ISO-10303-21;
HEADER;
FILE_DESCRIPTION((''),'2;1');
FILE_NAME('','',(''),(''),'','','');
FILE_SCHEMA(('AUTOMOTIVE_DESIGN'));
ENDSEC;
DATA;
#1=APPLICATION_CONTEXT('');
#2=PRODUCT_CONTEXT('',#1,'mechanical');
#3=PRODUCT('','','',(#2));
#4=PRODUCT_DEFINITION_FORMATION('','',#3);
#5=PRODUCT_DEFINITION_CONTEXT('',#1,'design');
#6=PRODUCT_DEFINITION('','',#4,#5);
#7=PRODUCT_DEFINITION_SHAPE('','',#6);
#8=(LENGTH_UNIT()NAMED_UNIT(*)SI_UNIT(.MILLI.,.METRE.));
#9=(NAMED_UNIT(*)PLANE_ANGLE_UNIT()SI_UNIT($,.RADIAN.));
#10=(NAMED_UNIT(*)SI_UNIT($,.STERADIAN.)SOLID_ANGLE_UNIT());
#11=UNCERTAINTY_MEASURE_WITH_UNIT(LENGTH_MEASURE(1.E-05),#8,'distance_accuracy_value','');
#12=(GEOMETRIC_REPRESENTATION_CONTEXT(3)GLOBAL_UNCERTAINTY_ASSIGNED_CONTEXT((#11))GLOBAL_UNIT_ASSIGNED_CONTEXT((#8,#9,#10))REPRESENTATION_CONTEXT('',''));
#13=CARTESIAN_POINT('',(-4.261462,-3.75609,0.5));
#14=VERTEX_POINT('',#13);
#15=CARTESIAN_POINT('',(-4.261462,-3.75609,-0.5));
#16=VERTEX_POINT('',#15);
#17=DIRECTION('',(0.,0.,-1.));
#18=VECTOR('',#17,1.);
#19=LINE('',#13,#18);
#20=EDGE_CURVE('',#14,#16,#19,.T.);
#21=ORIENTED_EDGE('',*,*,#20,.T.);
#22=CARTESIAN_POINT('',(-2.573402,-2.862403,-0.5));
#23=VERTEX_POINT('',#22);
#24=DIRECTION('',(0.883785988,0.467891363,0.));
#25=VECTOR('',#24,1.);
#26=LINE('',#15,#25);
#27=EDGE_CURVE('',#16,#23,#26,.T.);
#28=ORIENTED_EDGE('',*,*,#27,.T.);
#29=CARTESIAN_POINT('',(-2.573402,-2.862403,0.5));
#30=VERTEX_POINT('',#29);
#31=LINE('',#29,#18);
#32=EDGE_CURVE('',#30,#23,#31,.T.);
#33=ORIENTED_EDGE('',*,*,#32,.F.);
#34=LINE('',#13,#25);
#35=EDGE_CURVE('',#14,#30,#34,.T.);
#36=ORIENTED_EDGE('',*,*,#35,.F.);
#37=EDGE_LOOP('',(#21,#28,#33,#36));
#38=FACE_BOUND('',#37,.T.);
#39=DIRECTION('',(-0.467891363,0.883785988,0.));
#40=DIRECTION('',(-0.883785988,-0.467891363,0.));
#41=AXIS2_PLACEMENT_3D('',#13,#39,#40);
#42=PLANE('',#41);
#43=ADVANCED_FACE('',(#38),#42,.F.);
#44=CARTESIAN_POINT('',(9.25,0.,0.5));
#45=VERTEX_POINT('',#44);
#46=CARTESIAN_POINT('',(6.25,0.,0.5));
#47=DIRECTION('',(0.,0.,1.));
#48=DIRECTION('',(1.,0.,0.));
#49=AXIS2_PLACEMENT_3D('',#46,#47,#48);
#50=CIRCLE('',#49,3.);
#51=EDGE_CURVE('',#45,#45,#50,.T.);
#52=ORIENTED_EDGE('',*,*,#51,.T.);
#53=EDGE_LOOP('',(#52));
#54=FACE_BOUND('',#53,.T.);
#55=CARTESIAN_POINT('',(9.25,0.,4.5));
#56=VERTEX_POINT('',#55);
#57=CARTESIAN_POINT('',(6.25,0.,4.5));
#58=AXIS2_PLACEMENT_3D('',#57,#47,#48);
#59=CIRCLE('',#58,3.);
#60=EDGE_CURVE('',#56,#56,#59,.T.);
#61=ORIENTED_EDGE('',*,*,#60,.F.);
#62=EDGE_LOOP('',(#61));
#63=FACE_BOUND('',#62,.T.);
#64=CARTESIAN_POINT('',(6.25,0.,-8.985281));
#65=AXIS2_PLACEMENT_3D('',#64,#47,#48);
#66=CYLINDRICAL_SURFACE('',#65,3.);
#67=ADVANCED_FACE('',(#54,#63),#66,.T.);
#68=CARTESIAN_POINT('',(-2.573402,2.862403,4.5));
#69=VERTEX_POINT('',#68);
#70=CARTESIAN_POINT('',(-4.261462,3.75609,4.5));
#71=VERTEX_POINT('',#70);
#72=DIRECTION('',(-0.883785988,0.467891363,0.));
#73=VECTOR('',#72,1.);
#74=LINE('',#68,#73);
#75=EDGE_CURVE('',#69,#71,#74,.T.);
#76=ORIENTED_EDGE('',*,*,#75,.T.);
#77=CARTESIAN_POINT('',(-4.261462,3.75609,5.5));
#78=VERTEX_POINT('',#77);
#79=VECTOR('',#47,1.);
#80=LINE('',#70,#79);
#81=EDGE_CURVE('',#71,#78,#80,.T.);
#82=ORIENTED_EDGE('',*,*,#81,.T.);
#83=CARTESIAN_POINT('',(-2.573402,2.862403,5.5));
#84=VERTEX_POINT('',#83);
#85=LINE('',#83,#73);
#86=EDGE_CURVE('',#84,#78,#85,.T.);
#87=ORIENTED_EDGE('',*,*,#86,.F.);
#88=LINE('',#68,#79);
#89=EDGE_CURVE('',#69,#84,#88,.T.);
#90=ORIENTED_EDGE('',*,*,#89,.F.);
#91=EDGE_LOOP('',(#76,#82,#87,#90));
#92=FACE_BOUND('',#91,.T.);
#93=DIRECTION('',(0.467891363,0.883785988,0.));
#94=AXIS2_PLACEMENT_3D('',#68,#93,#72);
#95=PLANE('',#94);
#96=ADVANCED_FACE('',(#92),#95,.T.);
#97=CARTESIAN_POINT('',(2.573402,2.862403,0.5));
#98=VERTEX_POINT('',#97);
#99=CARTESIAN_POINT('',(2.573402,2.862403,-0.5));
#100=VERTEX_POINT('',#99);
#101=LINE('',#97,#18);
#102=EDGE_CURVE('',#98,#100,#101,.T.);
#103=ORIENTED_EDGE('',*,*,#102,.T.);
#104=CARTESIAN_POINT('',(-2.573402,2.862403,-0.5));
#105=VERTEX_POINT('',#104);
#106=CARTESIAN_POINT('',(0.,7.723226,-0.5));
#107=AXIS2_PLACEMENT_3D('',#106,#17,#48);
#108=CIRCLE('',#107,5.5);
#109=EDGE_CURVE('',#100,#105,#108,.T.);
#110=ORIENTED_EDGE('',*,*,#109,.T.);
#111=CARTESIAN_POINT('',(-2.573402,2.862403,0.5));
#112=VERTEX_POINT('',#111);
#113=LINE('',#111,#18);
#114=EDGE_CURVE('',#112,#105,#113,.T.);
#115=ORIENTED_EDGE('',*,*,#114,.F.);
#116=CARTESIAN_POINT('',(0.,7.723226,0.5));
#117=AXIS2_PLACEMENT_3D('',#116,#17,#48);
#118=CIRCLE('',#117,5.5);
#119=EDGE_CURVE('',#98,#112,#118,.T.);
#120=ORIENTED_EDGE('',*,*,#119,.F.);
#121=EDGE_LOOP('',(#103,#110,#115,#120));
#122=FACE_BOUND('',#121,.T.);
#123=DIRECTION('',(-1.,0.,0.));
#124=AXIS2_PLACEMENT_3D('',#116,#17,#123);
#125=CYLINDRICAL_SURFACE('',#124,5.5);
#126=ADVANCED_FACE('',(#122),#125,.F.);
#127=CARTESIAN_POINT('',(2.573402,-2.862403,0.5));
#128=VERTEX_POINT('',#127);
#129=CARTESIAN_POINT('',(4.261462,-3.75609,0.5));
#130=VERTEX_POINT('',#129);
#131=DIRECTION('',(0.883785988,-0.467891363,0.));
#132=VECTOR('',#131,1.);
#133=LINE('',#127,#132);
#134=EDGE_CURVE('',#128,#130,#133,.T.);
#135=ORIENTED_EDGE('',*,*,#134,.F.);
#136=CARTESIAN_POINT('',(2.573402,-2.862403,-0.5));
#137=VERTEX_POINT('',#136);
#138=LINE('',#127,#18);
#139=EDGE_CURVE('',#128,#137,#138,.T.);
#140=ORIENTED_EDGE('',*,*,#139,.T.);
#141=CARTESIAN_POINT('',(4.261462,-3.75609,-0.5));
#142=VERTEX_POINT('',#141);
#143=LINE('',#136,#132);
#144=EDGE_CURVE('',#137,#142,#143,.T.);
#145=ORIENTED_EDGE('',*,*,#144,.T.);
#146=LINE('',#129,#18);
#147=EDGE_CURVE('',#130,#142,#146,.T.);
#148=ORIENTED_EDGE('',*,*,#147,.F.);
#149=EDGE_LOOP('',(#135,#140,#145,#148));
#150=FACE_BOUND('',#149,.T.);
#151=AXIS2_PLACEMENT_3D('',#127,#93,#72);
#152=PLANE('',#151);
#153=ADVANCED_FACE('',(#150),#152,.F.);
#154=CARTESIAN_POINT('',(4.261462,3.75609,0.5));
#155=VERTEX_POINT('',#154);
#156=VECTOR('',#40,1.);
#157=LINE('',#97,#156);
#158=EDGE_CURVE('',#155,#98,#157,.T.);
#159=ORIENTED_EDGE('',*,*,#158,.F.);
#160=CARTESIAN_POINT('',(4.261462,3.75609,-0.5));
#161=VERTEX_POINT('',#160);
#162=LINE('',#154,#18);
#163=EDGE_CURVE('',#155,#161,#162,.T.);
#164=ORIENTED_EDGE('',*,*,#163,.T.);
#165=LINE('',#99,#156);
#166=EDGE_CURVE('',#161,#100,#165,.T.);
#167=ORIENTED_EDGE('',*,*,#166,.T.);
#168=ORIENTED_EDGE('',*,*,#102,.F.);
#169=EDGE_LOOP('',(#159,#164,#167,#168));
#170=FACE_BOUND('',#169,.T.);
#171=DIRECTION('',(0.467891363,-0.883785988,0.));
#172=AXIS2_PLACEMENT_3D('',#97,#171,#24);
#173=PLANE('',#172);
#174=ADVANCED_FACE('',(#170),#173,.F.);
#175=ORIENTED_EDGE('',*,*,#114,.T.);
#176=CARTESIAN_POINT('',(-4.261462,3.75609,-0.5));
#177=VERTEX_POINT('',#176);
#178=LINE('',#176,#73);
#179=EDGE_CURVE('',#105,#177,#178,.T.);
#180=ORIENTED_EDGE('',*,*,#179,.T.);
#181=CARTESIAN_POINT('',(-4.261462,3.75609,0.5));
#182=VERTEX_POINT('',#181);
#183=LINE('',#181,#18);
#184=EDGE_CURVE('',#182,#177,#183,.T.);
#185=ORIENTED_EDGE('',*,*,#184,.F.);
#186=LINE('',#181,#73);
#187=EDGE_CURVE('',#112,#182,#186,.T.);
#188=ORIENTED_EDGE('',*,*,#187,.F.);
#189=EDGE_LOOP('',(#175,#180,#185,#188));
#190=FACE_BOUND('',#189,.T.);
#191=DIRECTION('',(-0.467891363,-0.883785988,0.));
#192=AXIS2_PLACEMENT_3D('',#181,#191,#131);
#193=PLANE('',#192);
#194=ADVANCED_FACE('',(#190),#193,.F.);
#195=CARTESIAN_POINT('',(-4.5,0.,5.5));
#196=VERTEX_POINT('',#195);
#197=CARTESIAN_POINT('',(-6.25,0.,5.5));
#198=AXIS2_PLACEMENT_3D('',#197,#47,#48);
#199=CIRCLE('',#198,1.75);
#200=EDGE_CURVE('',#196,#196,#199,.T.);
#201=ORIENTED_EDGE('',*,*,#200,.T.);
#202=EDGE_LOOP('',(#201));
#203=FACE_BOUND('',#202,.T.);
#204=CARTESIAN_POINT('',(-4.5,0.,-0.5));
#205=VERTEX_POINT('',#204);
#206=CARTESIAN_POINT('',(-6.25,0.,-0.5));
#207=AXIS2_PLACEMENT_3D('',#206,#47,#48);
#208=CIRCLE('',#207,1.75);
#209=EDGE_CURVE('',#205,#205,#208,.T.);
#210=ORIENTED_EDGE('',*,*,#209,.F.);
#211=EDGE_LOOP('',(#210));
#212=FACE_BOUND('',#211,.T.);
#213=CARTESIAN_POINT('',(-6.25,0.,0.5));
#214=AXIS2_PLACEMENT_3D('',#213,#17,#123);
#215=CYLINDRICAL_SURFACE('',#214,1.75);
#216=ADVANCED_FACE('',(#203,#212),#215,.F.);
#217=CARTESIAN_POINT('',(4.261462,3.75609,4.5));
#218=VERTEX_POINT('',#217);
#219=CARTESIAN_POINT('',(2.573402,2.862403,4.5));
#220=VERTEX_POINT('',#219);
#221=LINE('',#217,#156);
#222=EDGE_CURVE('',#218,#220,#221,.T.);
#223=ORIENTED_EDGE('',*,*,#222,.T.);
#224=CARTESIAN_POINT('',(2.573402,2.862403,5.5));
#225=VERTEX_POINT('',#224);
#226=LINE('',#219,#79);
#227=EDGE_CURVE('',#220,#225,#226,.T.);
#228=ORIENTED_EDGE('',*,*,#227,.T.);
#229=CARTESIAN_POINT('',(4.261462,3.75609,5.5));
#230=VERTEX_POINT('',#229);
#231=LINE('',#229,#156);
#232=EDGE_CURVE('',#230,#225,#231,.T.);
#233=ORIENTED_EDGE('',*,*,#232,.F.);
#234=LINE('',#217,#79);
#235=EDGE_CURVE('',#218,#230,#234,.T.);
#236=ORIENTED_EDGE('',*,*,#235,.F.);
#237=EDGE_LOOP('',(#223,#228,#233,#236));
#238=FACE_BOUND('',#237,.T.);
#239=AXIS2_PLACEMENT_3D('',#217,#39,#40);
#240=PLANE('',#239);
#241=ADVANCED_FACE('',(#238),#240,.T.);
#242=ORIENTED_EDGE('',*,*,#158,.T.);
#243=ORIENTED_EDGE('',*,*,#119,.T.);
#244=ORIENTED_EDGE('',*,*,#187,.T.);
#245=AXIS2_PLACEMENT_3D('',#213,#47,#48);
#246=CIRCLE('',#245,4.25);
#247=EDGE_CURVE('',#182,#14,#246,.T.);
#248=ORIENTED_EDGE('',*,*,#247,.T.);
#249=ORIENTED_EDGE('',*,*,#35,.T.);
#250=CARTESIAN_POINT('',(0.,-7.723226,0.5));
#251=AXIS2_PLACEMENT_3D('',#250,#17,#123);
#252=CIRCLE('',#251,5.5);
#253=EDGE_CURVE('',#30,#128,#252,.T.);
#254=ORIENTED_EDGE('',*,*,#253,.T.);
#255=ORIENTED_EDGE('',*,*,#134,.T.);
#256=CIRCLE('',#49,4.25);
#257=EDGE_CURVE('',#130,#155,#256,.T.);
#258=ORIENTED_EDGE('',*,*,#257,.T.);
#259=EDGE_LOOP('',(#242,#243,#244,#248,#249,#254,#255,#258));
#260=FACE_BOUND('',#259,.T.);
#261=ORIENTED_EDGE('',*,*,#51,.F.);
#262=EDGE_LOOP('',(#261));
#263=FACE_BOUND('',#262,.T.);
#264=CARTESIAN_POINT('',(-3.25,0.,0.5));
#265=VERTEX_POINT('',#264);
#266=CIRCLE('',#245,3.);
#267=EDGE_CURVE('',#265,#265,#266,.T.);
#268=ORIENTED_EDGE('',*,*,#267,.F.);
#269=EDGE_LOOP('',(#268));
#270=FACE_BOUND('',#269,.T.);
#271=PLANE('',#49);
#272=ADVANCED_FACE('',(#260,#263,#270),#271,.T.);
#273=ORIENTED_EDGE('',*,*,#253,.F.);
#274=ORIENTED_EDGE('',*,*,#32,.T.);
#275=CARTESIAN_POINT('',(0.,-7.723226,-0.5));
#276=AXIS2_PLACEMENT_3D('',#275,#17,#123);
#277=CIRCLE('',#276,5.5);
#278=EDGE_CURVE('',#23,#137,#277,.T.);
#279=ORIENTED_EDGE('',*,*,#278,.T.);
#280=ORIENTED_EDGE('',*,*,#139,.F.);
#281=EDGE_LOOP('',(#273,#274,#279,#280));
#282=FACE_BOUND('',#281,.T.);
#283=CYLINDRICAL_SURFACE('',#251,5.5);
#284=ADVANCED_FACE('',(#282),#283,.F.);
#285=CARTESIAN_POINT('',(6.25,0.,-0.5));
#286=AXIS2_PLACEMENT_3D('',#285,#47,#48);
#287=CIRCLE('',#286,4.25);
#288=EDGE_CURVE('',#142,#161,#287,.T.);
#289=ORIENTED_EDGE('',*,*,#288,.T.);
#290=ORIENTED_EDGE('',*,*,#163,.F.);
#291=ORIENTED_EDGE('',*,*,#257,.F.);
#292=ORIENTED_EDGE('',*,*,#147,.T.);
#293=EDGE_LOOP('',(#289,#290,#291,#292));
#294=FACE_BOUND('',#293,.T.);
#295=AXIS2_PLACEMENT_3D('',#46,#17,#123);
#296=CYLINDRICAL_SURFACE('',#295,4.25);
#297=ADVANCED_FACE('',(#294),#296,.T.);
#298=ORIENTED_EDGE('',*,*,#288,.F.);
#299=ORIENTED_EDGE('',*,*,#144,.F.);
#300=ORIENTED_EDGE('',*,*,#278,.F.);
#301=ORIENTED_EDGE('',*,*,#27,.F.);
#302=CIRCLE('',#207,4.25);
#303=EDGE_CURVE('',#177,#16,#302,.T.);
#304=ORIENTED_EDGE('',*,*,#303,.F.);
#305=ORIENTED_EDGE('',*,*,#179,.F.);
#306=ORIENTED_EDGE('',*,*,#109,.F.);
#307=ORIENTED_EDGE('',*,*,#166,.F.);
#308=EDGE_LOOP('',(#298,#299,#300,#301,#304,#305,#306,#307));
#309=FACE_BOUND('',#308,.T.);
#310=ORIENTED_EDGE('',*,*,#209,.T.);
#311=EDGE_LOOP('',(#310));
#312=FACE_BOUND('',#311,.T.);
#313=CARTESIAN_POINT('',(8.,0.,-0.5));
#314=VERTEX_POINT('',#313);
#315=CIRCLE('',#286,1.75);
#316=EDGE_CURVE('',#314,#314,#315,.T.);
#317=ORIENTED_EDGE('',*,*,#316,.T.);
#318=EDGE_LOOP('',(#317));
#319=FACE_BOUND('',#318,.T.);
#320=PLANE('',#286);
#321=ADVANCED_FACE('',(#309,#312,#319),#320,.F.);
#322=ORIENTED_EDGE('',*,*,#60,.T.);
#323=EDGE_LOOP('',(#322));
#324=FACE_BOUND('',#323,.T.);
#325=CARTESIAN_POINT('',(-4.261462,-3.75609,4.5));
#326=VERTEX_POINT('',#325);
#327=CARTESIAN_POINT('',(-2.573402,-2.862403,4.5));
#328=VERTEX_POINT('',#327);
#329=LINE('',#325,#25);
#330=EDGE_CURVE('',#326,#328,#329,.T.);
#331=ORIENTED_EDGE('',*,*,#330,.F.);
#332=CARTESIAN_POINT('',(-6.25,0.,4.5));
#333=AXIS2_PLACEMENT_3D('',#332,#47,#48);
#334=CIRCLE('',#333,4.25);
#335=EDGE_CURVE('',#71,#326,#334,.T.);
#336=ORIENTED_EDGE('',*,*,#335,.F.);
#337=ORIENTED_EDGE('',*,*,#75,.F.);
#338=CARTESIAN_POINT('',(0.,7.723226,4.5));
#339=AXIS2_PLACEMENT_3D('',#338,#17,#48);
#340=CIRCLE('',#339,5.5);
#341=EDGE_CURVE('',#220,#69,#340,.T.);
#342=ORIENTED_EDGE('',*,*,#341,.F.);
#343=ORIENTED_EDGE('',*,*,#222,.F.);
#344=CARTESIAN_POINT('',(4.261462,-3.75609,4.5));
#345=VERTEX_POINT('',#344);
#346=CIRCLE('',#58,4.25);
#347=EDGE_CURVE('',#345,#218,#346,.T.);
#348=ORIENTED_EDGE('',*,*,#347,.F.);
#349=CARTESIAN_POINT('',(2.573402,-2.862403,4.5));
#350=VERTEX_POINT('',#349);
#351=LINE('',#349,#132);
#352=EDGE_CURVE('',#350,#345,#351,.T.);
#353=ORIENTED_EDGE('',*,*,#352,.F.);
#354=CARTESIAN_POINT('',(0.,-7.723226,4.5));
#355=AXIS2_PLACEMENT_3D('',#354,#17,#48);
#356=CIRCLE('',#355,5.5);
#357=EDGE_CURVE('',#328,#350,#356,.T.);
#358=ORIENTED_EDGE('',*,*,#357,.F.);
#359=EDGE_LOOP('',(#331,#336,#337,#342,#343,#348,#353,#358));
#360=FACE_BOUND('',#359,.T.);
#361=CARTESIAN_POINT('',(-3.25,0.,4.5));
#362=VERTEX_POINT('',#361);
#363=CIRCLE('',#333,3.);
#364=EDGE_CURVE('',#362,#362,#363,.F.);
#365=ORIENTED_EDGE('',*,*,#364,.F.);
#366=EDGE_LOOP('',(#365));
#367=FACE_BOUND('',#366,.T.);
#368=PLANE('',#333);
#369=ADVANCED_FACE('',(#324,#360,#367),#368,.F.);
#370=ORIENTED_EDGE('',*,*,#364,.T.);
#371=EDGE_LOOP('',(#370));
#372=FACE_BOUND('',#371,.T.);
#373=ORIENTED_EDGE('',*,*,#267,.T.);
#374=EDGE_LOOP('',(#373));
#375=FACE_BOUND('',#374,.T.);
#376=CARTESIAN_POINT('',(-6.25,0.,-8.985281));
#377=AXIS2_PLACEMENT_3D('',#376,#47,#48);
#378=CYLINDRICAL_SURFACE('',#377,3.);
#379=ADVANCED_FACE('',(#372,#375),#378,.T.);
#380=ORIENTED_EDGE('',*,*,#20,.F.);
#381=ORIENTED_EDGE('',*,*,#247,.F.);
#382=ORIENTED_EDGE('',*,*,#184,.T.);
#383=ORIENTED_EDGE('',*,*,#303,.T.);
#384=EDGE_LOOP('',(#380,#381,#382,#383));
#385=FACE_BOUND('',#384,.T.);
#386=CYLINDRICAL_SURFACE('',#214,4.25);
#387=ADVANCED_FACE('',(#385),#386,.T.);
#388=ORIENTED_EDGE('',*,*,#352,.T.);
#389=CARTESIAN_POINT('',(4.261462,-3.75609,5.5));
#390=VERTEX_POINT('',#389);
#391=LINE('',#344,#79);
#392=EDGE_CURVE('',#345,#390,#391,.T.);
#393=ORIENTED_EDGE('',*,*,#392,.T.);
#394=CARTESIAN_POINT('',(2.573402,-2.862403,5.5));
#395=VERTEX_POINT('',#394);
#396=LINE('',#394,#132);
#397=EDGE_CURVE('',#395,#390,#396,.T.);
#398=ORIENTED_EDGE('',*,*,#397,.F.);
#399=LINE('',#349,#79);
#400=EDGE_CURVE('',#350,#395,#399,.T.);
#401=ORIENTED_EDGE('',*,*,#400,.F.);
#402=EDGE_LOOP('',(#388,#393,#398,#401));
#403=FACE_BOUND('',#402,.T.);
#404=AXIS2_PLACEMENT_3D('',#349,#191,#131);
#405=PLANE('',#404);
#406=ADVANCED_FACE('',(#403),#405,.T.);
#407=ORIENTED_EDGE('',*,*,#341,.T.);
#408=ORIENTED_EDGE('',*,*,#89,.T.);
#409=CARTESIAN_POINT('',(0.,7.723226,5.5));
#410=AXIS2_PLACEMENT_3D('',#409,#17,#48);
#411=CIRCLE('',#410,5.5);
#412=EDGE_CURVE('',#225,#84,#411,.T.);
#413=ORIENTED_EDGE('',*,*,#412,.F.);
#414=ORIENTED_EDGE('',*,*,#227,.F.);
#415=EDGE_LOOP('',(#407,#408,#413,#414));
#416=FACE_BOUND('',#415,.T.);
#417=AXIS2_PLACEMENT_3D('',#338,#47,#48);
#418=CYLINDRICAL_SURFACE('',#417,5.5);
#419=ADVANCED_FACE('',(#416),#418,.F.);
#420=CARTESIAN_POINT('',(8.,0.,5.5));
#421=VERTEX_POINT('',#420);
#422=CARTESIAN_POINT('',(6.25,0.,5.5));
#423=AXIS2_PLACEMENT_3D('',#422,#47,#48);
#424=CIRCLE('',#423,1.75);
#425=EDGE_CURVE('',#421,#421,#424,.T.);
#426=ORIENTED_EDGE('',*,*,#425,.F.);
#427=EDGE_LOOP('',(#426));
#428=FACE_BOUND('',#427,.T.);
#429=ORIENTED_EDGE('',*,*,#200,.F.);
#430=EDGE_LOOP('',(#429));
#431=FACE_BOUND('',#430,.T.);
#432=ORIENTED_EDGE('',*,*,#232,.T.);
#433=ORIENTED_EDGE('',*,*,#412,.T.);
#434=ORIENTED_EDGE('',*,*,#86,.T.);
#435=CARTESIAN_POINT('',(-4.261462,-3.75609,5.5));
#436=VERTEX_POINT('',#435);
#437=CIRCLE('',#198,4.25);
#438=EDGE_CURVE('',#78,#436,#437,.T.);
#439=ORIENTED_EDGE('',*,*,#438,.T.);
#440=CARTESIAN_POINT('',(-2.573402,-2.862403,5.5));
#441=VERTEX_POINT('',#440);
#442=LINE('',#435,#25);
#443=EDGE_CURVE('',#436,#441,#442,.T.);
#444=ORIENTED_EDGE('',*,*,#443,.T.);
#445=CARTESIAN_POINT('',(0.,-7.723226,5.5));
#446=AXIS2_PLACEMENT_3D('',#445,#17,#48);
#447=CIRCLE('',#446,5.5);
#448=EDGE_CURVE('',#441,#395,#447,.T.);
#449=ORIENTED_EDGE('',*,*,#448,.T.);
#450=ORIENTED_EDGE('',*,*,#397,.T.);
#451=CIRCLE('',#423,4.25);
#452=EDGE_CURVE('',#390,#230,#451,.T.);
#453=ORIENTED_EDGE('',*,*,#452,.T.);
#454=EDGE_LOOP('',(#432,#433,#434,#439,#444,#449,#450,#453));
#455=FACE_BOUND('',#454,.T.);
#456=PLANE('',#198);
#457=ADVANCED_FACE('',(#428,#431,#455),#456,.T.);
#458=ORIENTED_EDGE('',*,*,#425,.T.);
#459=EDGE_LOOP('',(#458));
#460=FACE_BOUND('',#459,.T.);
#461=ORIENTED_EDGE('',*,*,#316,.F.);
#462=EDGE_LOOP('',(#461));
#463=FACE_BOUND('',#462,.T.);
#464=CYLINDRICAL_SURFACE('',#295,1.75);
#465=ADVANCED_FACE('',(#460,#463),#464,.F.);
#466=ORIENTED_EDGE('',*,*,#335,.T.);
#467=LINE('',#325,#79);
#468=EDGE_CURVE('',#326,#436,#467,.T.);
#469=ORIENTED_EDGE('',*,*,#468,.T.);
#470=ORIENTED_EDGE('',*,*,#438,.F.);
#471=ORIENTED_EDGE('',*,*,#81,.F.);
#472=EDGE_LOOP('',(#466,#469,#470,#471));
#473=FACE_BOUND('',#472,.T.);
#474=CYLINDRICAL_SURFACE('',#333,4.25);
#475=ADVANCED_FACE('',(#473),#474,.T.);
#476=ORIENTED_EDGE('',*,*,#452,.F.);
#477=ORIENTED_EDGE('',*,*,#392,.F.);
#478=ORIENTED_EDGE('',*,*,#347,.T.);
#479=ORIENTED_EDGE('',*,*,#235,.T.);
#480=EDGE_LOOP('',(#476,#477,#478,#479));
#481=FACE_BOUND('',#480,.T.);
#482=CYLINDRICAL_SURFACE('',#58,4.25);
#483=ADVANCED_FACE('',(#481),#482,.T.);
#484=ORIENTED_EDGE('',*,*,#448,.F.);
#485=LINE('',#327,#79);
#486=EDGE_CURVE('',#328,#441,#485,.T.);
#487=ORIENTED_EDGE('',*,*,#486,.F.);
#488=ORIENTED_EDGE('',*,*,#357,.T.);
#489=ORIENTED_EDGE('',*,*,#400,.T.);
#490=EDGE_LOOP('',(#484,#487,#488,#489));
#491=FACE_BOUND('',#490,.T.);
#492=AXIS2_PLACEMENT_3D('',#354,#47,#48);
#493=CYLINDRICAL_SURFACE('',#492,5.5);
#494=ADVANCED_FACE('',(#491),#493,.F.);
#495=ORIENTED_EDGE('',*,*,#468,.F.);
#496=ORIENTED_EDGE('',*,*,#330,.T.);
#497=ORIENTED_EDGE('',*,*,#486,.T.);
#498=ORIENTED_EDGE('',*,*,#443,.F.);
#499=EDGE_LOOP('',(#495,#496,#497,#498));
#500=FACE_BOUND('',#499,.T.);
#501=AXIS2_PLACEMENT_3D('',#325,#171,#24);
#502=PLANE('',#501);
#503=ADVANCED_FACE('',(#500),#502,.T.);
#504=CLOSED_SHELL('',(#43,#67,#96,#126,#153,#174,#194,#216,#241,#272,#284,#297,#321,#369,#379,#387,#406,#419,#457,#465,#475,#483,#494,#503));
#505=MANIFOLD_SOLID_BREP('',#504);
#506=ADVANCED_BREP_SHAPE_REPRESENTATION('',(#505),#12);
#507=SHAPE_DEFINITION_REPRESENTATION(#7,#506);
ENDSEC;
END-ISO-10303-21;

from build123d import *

# Parameters (mm, degrees)
SKETCH1_R           = 1.75
BOSS_EXTRUDE1_DEPTH = 0.5
SKETCH2_R           = 1.75
BOSS_EXTRUDE2_DEPTH = 1
BOSS_EXTRUDE3_START = -6
SKETCH3_R           = 3
SKETCH3_R_2         = 1.75
BOSS_EXTRUDE3_DEPTH = 6


with BuildPart() as part:
    # Sketch1 → Boss-Extrude1 (new, symmetric)
    with BuildSketch(Plane.XY):
        with BuildLine():
            Line((-4.261461708, 3.756090449), (-2.573402496, 2.862403135))
            ThreePointArc((-2.573402496, 2.862403135), (0, 2.223226069), (2.573402496, 2.862403135))
            Line((2.573402496, 2.862403135), (4.261461708, 3.756090449))
            ThreePointArc((4.261461708, 3.756090449), (10.5, 0), (4.261461708, -3.756090449))
            Line((4.261461708, -3.756090449), (2.573402496, -2.862403135))
            ThreePointArc((2.573402496, -2.862403135), (0, -2.223226069), (-2.573402496, -2.862403135))
            Line((-2.573402496, -2.862403135), (-4.261461708, -3.756090449))
            ThreePointArc((-4.261461708, -3.756090449), (-10.5, 0), (-4.261461708, 3.756090449))
        make_face()
        with Locations((-6.25, 0)):
            Circle(SKETCH1_R, mode=Mode.SUBTRACT)
        with Locations((6.25, 0)):
            Circle(SKETCH1_R, mode=Mode.SUBTRACT)
    extrude(amount=BOSS_EXTRUDE1_DEPTH, both=True)



with BuildPart() as body_2:
    # Sketch2 → Boss-Extrude2 (new body)
    with BuildSketch(Plane.XY.offset(5.5)):
        with BuildLine():
            Line((-2.573402496, 2.862403135), (-4.261461708, 3.756090449))
            ThreePointArc((-4.261461708, 3.756090449), (-10.5, 0), (-4.261461708, -3.756090449))
            Line((-4.261461708, -3.756090449), (-2.573402496, -2.862403135))
            ThreePointArc((-2.573402496, -2.862403135), (0, -2.223226069), (2.573402496, -2.862403135))
            Line((2.573402496, -2.862403135), (4.261461708, -3.756090449))
            ThreePointArc((4.261461708, -3.756090449), (10.5, 0), (4.261461708, 3.756090449))
            Line((4.261461708, 3.756090449), (2.573402496, 2.862403135))
            ThreePointArc((2.573402496, 2.862403135), (0, 2.223226069), (-2.573402496, 2.862403135))
        make_face()
        with Locations((6.25, 0)):
            Circle(SKETCH2_R, mode=Mode.SUBTRACT)
        with Locations((-6.25, 0)):
            Circle(SKETCH2_R, mode=Mode.SUBTRACT)
    extrude(amount=-BOSS_EXTRUDE2_DEPTH)


with BuildPart() as part_1:
    add(part.part)

    add(body_2.part)  # Boss-Extrude3 merges body 2
    # Sketch3 → Boss-Extrude3 (add)
    # profile 1 of 2: a face of its own
    with BuildSketch(Plane.XY.offset(5.5).offset(BOSS_EXTRUDE3_START)):
        with Locations((-6.25, 0)):
            Circle(SKETCH3_R)
        with Locations((-6.25, 0)):
            Circle(SKETCH3_R_2, mode=Mode.SUBTRACT)
    # profile 2 of 2: a face of its own
    with BuildSketch(Plane.XY.offset(5.5).offset(BOSS_EXTRUDE3_START)):
        with Locations((6.25, 0)):
            Circle(SKETCH3_R)
        with Locations((6.25, 0)):
            Circle(SKETCH3_R_2, mode=Mode.SUBTRACT)
    extrude(amount=BOSS_EXTRUDE3_DEPTH)


solid = part_1.part
